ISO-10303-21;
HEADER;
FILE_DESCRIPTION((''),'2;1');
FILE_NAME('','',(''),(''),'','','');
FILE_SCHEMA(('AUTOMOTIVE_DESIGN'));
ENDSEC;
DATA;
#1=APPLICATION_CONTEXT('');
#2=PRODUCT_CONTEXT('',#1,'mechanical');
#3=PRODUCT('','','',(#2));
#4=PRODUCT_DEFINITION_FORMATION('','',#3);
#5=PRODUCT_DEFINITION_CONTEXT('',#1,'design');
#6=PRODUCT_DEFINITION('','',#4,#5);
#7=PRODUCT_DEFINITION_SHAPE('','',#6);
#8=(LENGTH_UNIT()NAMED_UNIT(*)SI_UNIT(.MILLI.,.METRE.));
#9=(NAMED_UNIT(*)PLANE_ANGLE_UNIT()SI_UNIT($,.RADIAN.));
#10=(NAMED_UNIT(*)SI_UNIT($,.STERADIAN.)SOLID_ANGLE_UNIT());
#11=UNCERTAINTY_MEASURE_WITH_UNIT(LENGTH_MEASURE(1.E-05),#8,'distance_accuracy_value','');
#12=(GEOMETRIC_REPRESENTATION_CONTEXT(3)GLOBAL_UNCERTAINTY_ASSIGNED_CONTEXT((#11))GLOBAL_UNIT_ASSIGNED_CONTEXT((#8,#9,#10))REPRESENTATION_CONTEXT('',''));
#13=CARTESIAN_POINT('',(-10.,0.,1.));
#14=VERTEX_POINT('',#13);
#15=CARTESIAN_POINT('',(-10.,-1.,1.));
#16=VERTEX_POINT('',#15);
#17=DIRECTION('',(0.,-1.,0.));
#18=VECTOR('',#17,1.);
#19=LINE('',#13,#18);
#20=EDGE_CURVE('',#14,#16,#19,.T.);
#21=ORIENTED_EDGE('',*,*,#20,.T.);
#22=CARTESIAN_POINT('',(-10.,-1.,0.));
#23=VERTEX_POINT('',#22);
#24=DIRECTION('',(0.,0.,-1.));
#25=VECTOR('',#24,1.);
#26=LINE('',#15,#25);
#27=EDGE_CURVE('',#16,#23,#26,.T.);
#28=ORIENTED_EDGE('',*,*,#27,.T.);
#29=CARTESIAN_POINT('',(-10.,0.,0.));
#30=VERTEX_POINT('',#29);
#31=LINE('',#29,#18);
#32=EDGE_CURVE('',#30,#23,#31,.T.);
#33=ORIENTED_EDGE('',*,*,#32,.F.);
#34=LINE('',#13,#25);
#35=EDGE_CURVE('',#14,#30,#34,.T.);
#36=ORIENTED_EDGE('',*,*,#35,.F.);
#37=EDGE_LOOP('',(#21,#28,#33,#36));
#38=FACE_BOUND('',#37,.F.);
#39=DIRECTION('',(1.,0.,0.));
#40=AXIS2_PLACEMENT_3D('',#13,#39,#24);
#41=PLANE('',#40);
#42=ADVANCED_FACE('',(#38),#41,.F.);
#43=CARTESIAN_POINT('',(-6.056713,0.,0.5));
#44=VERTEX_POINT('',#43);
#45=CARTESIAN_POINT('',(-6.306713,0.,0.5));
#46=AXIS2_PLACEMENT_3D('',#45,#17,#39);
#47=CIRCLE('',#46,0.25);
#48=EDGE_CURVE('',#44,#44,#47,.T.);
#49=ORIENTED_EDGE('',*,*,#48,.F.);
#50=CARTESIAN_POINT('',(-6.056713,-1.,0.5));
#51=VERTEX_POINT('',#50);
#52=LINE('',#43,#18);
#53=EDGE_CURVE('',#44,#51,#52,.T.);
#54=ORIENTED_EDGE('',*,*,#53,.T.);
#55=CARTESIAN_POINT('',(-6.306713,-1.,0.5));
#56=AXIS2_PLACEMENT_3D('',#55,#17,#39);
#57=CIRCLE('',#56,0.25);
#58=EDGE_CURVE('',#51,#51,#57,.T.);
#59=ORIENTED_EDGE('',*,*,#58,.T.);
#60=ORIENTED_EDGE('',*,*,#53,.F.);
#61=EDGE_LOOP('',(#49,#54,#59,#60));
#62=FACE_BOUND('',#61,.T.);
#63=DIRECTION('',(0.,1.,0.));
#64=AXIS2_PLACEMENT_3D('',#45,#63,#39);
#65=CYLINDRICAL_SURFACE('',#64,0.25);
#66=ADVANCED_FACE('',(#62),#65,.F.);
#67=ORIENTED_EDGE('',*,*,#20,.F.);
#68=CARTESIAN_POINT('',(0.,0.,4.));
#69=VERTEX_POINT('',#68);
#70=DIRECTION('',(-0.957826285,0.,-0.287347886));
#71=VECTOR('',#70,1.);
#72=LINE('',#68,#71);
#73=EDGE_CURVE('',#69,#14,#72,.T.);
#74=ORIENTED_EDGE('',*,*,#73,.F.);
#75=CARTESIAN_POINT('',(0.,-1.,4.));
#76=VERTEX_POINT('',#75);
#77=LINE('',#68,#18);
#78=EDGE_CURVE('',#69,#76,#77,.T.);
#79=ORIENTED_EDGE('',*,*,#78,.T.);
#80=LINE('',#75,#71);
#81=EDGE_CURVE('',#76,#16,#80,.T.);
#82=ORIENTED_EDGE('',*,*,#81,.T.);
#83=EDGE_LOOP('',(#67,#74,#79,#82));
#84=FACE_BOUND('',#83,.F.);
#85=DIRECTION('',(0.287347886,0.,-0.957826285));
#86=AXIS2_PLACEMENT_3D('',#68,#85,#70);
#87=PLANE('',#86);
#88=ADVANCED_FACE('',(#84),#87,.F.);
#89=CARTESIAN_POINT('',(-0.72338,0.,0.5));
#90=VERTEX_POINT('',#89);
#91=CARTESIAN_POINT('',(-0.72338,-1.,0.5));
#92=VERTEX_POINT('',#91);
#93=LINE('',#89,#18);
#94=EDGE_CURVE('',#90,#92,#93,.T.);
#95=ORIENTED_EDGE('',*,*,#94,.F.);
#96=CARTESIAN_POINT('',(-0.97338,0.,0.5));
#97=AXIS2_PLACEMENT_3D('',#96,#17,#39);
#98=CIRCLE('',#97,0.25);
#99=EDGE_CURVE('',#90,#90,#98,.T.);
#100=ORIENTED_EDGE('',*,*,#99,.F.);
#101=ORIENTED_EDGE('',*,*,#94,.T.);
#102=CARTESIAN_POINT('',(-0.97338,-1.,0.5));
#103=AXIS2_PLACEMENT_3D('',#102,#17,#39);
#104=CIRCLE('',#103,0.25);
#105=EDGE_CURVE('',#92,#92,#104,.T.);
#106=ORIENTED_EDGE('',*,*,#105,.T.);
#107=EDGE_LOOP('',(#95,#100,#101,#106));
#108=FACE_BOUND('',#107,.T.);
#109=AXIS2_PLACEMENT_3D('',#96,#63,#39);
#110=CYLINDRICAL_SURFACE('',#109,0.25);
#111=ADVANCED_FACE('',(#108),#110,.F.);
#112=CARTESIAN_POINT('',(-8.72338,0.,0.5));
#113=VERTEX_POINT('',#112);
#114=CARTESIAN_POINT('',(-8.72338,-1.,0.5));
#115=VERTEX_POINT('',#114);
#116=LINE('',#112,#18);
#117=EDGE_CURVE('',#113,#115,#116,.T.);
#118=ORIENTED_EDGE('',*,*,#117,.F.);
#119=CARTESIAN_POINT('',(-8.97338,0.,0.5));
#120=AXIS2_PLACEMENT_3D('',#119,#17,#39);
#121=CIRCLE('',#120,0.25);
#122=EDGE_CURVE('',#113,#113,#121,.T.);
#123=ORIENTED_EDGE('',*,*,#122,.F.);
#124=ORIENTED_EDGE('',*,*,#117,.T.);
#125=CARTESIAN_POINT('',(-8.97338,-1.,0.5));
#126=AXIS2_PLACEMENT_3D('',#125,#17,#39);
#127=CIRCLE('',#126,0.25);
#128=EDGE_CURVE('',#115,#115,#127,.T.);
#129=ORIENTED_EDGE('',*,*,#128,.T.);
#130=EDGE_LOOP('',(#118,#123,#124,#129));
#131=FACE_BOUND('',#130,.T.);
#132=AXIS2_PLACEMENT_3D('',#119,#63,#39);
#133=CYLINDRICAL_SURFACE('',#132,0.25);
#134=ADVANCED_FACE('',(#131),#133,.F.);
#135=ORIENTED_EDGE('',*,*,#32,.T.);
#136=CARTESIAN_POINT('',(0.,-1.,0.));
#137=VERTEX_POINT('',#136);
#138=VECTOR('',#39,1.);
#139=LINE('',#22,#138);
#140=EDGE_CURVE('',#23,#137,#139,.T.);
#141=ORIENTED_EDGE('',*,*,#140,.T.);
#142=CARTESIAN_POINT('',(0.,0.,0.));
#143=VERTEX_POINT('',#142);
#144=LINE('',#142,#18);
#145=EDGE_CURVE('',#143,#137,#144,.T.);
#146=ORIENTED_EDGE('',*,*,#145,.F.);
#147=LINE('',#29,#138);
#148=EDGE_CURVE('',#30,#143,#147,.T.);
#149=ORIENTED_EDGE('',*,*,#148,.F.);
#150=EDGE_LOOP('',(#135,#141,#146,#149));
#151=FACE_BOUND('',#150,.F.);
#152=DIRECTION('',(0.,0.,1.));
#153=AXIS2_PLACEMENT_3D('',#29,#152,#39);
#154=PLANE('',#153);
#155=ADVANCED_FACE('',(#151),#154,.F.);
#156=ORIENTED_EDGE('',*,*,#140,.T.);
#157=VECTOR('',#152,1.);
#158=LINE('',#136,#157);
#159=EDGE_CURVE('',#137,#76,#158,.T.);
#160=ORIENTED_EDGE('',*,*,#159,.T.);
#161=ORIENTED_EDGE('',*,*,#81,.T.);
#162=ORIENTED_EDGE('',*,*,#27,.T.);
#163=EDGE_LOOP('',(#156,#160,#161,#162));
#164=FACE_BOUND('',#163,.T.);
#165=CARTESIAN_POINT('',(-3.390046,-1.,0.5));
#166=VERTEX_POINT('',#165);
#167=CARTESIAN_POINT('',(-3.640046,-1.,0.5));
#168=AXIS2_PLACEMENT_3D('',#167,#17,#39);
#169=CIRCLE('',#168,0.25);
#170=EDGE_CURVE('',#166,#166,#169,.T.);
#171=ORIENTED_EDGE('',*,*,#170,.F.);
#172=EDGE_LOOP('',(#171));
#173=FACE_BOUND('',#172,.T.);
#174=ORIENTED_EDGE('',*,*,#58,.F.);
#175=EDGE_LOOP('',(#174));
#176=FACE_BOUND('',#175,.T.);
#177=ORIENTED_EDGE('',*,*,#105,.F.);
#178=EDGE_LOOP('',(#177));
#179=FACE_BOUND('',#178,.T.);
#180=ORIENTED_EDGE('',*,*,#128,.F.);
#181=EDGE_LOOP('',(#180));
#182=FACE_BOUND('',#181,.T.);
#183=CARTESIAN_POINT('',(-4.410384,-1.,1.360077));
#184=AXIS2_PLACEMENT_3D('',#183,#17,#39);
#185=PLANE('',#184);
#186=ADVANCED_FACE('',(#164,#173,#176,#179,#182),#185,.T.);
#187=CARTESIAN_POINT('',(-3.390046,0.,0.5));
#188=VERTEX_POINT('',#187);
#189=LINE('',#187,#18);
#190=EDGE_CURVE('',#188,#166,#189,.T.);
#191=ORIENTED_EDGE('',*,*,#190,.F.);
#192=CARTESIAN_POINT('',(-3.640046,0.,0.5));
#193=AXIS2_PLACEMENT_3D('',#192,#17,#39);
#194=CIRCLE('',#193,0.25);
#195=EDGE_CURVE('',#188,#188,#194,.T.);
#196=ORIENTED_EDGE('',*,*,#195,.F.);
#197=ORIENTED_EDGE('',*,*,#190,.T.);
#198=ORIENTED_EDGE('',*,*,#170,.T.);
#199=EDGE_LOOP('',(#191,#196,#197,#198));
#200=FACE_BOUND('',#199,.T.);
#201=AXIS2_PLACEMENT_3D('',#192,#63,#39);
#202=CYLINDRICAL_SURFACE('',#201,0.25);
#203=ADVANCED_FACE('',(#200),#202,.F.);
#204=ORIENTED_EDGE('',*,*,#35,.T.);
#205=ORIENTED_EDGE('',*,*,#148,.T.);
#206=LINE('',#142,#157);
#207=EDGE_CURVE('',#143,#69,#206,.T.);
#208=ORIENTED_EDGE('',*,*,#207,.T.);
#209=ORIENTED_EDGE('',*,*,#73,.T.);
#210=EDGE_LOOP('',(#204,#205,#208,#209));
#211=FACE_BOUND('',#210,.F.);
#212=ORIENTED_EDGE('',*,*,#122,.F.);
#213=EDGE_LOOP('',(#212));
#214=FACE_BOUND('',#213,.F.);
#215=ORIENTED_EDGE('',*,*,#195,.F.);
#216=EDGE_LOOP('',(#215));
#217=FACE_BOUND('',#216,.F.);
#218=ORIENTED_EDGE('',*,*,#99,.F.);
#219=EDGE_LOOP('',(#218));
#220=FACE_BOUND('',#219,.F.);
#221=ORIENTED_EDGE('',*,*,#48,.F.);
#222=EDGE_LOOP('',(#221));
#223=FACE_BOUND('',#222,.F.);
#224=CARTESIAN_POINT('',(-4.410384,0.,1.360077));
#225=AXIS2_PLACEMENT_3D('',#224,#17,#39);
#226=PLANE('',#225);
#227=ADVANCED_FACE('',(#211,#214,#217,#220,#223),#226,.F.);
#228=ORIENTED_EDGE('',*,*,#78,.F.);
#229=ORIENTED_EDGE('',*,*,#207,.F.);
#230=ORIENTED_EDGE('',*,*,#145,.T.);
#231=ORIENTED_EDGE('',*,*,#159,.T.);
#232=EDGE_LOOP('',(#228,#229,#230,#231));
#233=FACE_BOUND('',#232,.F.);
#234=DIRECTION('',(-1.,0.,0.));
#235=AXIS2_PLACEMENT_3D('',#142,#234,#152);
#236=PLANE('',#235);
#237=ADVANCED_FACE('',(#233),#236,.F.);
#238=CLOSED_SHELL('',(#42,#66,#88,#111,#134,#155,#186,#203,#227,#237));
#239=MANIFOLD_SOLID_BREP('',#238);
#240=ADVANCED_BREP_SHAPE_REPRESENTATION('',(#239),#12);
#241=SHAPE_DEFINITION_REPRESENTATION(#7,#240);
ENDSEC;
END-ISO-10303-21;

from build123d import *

# Parameters (mm, degrees)
F0_R     = 0.25
F1_DEPTH = 1


with BuildPart() as f1:
    # F0 (on Front) → F1 (new body)
    with BuildSketch(Plane.XZ):
        Polygon((-10, 0), (0, 0), (0, 4), (-10, 1), align=None)
        with Locations((-8.97338, 0.5)):
            Circle(F0_R, mode=Mode.SUBTRACT)
        with Locations((-6.306713, 0.5)):
            Circle(F0_R, mode=Mode.SUBTRACT)
        with Locations((-3.640046, 0.5)):
            Circle(F0_R, mode=Mode.SUBTRACT)
        with Locations((-0.97338, 0.5)):
            Circle(F0_R, mode=Mode.SUBTRACT)
    extrude(amount=F1_DEPTH)


solid = f1.part
